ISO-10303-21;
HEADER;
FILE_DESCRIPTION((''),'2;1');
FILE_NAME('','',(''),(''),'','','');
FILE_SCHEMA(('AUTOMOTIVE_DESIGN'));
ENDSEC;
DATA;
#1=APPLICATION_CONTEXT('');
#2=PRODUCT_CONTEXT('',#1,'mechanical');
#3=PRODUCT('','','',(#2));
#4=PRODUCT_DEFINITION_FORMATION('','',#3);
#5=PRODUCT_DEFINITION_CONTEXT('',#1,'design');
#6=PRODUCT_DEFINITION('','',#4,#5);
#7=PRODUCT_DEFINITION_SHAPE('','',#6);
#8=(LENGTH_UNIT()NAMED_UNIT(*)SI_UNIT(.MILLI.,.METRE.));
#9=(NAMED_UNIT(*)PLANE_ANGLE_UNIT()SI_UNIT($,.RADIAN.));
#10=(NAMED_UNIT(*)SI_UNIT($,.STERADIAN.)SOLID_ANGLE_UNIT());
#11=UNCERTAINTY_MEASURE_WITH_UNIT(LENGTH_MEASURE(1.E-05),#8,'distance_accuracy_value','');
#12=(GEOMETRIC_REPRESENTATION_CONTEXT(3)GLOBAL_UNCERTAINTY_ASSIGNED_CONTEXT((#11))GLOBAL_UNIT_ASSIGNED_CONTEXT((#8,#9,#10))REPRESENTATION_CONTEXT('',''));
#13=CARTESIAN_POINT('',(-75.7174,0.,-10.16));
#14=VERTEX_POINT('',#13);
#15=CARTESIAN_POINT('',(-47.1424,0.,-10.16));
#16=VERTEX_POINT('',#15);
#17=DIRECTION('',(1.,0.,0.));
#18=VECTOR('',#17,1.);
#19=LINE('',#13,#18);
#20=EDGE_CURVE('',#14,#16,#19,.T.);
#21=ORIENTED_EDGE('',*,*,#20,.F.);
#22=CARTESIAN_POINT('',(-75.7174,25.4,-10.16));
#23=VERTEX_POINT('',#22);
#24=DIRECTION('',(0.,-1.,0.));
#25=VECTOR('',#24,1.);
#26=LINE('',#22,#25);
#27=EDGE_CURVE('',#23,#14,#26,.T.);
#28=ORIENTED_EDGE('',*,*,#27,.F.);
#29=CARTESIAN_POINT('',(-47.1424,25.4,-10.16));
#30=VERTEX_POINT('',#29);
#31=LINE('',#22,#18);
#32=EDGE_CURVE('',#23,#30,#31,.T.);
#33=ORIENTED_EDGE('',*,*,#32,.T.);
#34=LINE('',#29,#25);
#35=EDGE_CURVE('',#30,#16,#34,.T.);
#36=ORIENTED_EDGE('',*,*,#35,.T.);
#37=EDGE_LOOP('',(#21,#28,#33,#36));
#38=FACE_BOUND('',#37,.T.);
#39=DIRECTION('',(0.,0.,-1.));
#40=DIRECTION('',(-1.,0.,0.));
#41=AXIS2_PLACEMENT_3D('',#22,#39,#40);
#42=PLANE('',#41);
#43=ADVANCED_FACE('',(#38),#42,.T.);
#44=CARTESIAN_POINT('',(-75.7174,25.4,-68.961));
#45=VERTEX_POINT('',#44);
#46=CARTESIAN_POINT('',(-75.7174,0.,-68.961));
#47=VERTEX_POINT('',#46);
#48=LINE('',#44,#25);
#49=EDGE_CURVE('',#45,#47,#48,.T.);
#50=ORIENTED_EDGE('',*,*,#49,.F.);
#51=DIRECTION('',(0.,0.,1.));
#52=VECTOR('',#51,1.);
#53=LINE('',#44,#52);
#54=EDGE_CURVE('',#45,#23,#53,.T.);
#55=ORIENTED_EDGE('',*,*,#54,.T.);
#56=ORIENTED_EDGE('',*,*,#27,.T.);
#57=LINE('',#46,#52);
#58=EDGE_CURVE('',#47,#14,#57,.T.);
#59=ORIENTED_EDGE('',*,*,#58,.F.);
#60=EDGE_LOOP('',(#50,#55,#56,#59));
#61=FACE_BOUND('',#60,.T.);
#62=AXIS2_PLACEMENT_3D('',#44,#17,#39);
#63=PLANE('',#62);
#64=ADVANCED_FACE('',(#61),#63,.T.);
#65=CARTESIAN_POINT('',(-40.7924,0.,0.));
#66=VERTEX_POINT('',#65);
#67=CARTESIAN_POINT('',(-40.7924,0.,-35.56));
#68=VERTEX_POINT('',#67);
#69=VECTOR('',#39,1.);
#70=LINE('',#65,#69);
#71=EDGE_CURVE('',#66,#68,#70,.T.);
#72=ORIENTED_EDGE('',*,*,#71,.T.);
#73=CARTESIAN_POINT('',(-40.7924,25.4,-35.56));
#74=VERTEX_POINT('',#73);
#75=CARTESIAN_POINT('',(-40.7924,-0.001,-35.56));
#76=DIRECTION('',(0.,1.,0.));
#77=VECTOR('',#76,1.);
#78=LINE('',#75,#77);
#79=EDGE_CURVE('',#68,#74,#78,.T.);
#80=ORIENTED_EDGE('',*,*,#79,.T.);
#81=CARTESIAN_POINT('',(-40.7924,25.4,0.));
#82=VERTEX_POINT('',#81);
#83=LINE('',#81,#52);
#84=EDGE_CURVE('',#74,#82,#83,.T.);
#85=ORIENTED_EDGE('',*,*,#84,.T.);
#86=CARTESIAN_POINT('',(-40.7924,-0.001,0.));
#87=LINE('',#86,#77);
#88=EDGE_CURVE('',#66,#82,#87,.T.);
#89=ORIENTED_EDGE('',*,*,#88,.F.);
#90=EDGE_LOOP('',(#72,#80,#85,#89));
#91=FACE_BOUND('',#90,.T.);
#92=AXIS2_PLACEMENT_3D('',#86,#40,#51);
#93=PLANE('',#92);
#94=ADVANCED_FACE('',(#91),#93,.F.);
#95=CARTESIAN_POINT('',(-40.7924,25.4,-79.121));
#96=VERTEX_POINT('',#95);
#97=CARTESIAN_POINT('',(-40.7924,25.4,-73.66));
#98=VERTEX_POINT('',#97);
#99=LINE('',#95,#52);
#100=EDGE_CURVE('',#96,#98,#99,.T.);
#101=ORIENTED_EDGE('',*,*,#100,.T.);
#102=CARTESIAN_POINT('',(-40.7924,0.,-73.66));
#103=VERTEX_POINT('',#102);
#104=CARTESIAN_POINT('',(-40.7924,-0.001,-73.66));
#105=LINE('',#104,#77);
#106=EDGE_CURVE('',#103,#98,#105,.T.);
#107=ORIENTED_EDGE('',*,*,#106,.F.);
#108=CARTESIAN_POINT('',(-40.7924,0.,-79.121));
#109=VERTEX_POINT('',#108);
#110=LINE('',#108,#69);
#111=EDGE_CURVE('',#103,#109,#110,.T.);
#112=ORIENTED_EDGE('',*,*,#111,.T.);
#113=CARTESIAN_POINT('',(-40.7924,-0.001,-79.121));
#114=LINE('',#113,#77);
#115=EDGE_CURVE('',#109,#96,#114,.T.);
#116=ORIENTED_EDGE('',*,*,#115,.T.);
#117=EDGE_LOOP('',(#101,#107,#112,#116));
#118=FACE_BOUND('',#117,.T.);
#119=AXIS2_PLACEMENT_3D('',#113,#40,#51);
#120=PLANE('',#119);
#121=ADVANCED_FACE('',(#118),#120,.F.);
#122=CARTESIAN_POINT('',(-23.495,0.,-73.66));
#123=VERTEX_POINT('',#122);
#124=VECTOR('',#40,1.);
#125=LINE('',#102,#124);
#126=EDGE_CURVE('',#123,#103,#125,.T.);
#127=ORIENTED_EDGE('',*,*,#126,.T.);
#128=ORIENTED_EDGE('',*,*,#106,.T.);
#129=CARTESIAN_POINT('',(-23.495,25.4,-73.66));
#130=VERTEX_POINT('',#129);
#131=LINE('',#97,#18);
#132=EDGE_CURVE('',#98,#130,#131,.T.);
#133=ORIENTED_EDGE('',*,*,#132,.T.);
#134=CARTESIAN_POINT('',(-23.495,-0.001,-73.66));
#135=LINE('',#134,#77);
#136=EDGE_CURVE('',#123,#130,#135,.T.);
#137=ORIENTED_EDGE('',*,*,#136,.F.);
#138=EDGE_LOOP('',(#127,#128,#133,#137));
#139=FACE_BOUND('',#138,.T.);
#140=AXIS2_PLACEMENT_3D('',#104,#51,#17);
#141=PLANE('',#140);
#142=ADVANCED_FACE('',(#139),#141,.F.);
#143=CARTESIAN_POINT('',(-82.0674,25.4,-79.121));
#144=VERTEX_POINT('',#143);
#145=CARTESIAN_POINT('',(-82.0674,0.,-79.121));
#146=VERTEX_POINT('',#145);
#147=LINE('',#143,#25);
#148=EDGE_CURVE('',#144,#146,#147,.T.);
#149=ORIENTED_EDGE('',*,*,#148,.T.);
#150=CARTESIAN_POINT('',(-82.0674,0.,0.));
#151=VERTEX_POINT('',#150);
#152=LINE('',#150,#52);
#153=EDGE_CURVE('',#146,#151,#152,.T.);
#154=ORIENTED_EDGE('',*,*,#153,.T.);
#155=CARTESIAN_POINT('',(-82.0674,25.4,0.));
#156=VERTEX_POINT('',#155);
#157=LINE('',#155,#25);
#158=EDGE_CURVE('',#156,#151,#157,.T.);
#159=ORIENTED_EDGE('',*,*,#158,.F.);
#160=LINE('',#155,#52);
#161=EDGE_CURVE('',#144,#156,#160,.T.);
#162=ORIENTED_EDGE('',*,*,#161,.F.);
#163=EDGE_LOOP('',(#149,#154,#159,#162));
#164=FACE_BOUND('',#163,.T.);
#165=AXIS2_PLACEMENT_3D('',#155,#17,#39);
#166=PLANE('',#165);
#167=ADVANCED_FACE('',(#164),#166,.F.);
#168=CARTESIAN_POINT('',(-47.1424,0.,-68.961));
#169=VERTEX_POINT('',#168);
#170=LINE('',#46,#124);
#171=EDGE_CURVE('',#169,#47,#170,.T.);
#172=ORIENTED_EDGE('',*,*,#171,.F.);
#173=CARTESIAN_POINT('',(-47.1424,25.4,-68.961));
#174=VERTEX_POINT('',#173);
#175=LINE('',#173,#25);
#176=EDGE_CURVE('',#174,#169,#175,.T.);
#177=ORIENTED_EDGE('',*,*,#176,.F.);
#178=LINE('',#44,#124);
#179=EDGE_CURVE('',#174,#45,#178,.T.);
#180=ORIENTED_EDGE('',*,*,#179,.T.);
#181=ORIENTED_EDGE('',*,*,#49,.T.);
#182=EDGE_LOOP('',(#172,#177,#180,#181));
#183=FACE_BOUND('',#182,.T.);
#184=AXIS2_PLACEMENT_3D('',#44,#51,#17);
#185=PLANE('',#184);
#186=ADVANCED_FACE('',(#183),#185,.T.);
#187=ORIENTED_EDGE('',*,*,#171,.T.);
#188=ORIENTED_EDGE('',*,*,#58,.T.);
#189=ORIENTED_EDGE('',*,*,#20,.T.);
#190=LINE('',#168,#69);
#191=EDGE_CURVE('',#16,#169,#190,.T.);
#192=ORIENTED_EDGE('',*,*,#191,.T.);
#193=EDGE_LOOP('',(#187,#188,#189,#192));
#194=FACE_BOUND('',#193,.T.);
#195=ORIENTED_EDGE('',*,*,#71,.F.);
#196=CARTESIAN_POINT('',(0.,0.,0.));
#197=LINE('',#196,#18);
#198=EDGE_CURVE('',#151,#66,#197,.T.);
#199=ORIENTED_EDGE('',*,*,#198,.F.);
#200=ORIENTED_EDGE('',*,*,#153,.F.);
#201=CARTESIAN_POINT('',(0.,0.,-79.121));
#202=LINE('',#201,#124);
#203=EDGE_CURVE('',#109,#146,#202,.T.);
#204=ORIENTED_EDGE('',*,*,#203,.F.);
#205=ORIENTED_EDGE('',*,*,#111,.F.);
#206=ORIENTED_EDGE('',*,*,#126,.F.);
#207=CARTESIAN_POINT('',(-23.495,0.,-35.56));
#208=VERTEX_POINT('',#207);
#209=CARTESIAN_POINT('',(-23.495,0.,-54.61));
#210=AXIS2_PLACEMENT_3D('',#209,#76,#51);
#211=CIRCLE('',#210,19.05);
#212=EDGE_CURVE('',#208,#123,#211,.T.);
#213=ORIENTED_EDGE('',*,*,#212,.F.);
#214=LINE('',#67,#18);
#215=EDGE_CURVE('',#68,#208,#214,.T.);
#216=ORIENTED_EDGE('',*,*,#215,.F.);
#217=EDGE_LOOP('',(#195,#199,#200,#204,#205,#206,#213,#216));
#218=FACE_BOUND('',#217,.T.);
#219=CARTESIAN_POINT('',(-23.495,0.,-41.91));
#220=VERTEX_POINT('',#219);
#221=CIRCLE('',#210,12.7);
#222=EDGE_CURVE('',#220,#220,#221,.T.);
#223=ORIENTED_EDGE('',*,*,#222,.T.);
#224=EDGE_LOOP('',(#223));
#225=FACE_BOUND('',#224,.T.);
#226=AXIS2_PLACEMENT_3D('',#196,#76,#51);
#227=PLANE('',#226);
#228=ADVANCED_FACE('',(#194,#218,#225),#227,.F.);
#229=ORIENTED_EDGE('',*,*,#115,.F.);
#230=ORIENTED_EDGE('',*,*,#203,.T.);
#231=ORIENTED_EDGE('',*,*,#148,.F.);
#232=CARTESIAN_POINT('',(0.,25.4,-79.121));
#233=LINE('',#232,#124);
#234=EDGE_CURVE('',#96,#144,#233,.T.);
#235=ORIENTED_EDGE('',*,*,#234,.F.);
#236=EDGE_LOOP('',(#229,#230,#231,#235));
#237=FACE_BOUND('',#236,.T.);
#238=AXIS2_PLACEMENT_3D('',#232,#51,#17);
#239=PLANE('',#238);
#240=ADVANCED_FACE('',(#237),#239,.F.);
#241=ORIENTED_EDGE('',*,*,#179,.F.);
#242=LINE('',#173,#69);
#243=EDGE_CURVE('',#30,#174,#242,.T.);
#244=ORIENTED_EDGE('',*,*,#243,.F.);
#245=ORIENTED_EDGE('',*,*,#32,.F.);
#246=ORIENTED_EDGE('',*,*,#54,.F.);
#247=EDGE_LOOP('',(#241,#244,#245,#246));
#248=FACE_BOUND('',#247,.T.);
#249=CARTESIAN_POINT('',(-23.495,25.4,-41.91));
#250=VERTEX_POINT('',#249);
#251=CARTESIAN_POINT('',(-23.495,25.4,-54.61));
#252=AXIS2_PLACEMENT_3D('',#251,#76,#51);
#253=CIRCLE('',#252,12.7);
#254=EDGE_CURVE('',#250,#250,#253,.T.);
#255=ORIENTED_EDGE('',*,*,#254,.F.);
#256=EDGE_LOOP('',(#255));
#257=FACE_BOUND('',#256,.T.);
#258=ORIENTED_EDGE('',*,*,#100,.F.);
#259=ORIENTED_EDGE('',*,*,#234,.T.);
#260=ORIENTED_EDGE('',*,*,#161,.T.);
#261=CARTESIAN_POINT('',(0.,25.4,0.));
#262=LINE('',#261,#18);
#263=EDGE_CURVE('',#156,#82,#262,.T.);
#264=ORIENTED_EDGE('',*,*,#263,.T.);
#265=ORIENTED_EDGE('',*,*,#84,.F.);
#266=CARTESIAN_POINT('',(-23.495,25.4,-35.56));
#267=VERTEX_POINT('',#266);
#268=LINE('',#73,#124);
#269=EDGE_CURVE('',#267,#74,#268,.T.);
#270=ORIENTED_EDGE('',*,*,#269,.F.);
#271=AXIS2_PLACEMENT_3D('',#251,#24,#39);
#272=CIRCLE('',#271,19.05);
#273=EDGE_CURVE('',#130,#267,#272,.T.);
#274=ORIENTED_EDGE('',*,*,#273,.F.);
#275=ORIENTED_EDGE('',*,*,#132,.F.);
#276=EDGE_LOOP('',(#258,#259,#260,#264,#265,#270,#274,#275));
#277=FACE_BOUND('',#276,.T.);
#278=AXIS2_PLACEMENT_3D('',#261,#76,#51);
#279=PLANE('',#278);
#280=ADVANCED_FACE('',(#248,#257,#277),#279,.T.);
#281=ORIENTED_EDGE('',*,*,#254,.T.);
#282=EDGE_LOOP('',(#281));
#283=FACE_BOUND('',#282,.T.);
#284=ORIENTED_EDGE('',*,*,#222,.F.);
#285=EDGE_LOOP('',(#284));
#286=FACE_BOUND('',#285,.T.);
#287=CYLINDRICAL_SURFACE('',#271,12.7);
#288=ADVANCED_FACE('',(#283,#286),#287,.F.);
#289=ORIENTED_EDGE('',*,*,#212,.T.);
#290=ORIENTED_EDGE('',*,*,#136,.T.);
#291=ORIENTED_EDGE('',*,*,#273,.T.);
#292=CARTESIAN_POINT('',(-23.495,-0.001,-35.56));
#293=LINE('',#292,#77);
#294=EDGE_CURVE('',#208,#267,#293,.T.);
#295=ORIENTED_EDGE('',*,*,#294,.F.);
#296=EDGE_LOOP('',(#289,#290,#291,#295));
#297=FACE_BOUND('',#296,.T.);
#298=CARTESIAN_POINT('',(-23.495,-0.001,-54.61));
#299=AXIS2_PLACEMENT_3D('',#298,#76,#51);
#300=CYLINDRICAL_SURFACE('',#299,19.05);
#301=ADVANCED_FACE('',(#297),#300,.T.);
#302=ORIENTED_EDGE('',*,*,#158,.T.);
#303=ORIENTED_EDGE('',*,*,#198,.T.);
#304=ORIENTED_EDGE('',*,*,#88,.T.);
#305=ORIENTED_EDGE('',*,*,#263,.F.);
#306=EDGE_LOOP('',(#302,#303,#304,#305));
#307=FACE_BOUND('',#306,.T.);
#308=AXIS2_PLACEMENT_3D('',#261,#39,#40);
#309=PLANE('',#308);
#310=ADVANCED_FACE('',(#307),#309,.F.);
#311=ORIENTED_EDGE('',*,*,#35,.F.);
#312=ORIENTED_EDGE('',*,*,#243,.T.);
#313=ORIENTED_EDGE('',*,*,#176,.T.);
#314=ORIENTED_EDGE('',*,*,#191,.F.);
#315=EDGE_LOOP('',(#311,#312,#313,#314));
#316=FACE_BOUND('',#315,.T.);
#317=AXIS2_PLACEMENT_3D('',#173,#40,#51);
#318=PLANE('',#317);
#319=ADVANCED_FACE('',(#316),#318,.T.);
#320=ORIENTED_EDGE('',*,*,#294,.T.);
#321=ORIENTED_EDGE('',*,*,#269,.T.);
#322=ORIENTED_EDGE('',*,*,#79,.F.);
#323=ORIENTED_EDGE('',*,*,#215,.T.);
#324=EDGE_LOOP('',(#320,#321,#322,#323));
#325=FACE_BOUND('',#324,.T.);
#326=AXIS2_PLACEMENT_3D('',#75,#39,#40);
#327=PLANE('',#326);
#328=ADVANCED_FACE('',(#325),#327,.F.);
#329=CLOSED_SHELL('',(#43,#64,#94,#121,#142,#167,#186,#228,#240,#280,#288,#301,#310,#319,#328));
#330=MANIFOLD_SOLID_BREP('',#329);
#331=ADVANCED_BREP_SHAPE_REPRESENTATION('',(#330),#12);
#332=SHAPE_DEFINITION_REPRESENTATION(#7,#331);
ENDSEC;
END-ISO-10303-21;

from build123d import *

# Parameters (mm, degrees)
SKETCH1_W           = 82.0674
SKETCH1_H           = 79.121
SKETCH1_R           = 12.7
SKETCH1_W_2         = 28.575
SKETCH1_H_2         = 58.801
BOSS_EXTRUDE1_DEPTH = 25.4
CUT_EXTRUDE1_REACH  = 118.792


with BuildPart() as part:
    # Sketch1 → Boss-Extrude1 (new body)
    with BuildSketch(Plane(origin=(0, 0, 0), x_dir=(1, 0, 0), z_dir=(0, 1, 0))):
        with Locations((-41.0337, 39.5605)):
            Rectangle(SKETCH1_W, SKETCH1_H)
        with Locations(Location((-23.495, 54.61, 0), (0, 0, 270))):
            Circle(SKETCH1_R, mode=Mode.SUBTRACT)
        with Locations((-61.4299, 39.5605)):
            Rectangle(SKETCH1_W_2, SKETCH1_H_2, mode=Mode.SUBTRACT)
    extrude(amount=BOSS_EXTRUDE1_DEPTH)

    # Sketch2 → Cut-Extrude1 (cut, up to next)
    with BuildSketch(Plane(origin=(0, 25.4, 0), x_dir=(1, 0, 0), z_dir=(0, 1, 0)), mode=Mode.PRIVATE) as cut_extrude1_sk1:
        with BuildLine():
            Line((-40.7924, 0), (-40.7924, 35.56))
            Line((-40.7924, 35.56), (-23.495, 35.56))
            ThreePointArc((-23.495, 35.56), (-4.445, 54.61), (-23.495, 73.66))
            Line((-23.495, 73.66), (-40.7924, 73.66))
            Line((-40.7924, 73.66), (-40.7924, 79.121))
            Line((-40.7924, 79.121), (0, 79.121))
            Line((0, 79.121), (0, 0))
            Line((0, 0), (-40.7924, 0))
        make_face()
    cut_extrude1_tool1 = extrude(cut_extrude1_sk1.sketch, amount=-CUT_EXTRUDE1_REACH, mode=Mode.PRIVATE) & part.part
    add(cut_extrude1_tool1.solids().sort_by_distance((-17.944529, 25.4, -30.304871))[0], mode=Mode.SUBTRACT)


solid = part.part
